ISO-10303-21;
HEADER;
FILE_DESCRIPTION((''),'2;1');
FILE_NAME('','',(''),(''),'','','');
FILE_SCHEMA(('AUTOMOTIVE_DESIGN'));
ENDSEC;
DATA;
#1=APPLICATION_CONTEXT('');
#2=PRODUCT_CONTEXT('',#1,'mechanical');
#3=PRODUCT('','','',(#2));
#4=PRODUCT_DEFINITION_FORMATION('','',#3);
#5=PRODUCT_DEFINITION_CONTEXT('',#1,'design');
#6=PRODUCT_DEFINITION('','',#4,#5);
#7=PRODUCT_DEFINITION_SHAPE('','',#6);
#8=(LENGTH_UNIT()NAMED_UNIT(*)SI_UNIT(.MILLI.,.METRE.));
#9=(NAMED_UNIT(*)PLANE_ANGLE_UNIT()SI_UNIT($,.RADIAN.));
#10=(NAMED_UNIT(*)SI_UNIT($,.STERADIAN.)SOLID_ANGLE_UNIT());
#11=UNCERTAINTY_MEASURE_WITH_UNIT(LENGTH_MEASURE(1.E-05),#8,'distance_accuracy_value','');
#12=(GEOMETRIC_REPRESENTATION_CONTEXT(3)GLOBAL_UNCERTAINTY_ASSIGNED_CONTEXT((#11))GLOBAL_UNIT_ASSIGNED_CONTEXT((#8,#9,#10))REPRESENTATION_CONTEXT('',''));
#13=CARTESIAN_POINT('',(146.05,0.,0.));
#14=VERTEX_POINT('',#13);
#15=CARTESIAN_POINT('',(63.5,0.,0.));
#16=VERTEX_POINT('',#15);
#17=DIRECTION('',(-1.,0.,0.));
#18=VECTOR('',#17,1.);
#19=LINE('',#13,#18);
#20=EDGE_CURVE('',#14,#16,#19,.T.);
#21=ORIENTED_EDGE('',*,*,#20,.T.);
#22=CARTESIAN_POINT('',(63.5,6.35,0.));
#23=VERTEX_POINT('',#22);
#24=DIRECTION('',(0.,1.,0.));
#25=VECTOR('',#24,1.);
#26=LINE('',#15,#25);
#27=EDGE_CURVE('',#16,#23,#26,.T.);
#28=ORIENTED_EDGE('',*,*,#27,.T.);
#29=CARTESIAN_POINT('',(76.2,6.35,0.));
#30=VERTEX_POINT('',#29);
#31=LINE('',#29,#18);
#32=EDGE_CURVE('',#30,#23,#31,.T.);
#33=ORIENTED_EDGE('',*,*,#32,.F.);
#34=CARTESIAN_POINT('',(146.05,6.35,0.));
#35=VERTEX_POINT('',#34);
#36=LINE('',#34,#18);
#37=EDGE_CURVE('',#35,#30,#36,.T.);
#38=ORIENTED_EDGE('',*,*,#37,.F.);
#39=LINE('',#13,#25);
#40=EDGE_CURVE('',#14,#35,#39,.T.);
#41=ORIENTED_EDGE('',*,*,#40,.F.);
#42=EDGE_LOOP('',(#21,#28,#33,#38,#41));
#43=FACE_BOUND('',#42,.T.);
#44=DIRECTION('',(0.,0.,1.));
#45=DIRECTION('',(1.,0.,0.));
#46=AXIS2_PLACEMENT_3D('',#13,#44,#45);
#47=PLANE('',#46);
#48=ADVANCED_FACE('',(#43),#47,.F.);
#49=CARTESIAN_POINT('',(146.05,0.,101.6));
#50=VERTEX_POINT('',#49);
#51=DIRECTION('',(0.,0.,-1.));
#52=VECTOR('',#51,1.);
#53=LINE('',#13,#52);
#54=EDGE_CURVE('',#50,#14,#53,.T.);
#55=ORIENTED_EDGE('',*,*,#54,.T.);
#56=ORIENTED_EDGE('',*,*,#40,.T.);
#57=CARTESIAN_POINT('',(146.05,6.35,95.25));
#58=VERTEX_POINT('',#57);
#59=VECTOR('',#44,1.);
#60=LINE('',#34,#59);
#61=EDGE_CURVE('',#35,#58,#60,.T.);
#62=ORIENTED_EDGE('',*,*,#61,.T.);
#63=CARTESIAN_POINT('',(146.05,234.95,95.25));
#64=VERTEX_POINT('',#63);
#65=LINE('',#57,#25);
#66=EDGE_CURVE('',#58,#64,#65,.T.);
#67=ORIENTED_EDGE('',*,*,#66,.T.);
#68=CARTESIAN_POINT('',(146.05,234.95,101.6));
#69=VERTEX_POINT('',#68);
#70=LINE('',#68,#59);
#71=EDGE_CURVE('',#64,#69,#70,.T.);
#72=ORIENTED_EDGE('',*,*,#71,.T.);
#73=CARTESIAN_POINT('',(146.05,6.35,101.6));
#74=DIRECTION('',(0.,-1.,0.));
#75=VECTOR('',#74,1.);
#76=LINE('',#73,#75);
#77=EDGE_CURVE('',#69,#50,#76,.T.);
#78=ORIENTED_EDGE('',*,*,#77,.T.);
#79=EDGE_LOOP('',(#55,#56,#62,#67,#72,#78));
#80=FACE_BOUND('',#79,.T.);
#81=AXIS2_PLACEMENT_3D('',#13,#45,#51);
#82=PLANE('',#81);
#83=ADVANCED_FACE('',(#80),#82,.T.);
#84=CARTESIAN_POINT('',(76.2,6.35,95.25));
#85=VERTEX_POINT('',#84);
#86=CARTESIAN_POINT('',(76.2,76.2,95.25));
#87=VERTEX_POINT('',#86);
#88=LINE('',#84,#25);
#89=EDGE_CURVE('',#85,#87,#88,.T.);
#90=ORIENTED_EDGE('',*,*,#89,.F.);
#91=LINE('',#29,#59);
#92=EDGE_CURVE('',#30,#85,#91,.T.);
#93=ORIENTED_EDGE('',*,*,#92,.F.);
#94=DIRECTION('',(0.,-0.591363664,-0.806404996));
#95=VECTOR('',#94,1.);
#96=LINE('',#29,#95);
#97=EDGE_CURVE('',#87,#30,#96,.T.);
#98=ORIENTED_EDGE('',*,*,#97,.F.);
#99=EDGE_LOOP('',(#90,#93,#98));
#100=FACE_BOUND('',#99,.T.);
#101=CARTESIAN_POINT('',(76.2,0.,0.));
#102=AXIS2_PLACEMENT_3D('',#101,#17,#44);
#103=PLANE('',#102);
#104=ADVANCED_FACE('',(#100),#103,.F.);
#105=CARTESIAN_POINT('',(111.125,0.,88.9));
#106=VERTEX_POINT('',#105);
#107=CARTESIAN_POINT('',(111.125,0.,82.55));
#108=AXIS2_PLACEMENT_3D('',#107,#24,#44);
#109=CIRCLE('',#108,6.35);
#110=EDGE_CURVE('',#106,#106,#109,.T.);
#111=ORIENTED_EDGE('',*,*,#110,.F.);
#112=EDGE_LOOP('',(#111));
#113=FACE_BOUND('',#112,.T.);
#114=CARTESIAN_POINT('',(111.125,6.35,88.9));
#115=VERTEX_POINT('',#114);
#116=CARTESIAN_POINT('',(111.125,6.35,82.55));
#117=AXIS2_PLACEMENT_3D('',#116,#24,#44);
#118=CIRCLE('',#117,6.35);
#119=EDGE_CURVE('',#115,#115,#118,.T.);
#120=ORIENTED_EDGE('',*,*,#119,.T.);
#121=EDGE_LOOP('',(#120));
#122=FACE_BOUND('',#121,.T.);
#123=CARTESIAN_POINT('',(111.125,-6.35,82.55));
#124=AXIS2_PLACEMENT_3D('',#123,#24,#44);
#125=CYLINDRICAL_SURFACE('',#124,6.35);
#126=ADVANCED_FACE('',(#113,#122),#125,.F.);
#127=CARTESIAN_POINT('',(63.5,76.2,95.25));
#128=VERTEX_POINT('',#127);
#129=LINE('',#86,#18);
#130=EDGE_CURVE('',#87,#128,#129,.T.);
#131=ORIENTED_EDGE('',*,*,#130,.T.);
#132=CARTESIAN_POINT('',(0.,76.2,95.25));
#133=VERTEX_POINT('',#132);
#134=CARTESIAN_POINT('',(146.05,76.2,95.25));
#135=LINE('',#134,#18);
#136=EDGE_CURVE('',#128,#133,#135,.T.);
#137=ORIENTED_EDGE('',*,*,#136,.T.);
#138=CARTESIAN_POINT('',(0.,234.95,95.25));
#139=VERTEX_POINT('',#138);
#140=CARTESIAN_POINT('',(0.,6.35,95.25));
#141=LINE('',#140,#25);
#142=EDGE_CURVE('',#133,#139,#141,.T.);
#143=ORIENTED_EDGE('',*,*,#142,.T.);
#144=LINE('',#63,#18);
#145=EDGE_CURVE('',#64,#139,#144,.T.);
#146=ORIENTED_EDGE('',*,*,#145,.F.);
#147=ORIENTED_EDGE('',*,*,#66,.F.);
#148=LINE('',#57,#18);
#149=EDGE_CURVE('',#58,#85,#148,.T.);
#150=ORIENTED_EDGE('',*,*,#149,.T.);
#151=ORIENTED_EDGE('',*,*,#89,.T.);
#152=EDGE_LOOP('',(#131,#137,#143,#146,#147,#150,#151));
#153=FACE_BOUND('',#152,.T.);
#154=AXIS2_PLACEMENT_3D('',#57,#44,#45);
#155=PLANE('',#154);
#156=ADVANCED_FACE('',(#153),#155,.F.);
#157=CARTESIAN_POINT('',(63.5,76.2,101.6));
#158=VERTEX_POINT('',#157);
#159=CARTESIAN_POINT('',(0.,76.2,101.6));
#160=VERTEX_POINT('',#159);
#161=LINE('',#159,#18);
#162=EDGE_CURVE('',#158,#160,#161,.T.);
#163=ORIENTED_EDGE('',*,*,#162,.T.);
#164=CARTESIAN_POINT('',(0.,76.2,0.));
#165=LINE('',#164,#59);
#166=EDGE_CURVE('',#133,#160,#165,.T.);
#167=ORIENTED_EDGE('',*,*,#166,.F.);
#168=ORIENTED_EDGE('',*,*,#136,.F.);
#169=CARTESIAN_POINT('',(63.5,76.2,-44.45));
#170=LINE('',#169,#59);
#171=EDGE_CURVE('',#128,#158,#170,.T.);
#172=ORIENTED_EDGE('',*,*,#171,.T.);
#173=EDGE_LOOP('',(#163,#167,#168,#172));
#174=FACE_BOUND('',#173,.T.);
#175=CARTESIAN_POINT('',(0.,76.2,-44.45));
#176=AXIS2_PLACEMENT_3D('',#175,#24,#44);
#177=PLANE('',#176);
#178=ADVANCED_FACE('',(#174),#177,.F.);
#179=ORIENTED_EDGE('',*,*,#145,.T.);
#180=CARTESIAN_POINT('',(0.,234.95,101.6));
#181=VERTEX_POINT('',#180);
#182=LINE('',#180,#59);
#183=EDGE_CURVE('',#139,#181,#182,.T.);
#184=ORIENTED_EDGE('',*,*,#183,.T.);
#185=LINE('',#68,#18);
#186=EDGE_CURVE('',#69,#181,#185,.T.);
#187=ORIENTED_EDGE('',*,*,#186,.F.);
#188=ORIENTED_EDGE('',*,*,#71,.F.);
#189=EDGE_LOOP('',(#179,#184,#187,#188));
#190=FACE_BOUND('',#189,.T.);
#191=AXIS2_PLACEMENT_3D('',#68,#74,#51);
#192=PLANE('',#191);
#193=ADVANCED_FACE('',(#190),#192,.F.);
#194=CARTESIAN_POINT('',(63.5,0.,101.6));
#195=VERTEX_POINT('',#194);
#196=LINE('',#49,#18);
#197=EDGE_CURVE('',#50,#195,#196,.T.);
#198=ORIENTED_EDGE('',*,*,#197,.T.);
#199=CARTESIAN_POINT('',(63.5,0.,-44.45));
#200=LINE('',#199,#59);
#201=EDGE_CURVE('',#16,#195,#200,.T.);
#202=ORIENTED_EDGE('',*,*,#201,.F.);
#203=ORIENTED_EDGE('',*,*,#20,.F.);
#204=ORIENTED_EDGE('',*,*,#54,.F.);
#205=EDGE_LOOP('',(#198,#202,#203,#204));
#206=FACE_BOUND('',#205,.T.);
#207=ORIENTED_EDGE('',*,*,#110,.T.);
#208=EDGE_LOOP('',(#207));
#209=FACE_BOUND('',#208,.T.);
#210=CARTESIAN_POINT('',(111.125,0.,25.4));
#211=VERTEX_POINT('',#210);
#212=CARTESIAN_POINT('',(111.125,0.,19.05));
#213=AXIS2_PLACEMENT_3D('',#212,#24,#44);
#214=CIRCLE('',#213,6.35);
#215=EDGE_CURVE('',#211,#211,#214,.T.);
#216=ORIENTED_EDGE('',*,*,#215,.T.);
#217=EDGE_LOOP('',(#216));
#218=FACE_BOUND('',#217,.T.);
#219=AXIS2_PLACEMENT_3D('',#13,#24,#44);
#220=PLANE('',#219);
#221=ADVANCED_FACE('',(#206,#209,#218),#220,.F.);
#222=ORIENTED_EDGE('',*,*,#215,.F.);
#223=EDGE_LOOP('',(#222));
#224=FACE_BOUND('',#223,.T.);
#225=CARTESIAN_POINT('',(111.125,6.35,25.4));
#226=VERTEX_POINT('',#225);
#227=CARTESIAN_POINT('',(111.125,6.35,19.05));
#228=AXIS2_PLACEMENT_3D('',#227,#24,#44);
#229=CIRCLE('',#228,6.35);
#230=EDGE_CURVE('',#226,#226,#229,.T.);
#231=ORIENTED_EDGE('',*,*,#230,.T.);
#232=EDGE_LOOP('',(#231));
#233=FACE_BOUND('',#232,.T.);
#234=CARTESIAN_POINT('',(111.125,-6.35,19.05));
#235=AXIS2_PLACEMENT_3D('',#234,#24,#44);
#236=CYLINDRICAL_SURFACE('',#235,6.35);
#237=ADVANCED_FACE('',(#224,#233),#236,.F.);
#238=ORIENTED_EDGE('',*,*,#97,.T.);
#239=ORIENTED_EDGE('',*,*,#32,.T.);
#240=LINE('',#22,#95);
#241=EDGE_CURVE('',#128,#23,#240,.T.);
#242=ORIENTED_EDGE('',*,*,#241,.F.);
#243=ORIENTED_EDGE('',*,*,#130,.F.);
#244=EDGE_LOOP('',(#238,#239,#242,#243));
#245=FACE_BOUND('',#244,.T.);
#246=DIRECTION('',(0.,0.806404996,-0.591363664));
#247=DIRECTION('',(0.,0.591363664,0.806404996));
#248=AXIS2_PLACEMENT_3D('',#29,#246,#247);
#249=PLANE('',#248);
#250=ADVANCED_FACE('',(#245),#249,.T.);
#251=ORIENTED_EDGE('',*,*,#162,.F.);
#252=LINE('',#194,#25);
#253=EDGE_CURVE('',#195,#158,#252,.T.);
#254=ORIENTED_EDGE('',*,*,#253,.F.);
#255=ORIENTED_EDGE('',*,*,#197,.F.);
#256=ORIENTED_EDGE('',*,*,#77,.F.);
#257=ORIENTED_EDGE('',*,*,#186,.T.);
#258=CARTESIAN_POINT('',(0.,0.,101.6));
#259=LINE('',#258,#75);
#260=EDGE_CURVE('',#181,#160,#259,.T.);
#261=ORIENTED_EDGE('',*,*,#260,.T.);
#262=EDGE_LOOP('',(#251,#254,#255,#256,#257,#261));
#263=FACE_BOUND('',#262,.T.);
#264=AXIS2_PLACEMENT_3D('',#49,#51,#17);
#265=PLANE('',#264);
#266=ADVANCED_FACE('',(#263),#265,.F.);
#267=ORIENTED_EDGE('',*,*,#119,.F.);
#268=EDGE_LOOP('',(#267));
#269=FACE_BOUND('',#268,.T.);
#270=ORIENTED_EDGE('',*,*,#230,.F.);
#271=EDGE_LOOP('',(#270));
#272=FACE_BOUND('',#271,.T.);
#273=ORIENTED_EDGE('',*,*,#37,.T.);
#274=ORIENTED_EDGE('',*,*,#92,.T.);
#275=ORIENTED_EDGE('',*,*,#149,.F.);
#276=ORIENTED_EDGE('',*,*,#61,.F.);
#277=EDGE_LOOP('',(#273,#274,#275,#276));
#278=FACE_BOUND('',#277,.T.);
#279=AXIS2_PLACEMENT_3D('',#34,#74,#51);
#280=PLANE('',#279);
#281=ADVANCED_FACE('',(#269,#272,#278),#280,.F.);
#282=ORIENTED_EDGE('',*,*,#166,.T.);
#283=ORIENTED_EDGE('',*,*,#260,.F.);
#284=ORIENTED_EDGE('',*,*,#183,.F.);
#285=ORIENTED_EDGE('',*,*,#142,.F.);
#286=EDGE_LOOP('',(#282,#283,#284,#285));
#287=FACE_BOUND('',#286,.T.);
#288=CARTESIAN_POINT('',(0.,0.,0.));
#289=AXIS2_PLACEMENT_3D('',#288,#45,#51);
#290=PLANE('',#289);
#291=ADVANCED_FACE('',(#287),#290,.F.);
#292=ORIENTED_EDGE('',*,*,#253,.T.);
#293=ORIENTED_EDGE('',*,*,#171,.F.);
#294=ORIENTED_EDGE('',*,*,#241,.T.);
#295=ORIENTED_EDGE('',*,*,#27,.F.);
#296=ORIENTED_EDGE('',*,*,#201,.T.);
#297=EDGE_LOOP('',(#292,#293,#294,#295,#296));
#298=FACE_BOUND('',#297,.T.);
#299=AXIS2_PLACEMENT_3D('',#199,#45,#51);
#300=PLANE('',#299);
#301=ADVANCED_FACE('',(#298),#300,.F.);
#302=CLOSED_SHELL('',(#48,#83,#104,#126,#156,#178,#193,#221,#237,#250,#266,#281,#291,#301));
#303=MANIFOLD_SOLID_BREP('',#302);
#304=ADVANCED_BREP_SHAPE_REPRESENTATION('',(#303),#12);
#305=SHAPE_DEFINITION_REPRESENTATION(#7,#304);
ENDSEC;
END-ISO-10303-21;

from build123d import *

# Parameters (mm, degrees)
BOSS_EXTRUDE1_DEPTH = 146.05
SKETCH2_W           = 63.5
SKETCH2_H           = 76.2
CUT_EXTRUDE1_DEPTH  = 146.05
BOSS_EXTRUDE2_DEPTH = 12.7
SKETCH4_R           = 6.35
CUT_EXTRUDE2_DEPTH  = 12.7


with BuildPart() as part:
    # Sketch1 → Boss-Extrude1 (new body)
    with BuildSketch(Plane(origin=(0, 0, 0), x_dir=(0, 0, -1), z_dir=(1, 0, 0))):
        Polygon((0, 0), (-101.6, 0), (-101.6, 6.35), (-101.6, 234.95), (-95.25, 234.95), (-95.25, 6.35), (0, 6.35), align=None)
    extrude(amount=BOSS_EXTRUDE1_DEPTH)

    # Sketch2 → Cut-Extrude1 (cut)
    with BuildSketch(Plane.XY.offset(101.6)):
        with Locations((31.75, 38.1)):
            Rectangle(SKETCH2_W, SKETCH2_H)
    extrude(amount=-CUT_EXTRUDE1_DEPTH, mode=Mode.SUBTRACT)

    # Sketch3 → Boss-Extrude2 (add)
    with BuildSketch(Plane.ZY.offset(-63.5)):
        Polygon((0, 6.35), (95.25, 76.2), (95.25, 6.35), align=None)
    extrude(amount=-BOSS_EXTRUDE2_DEPTH)

    # Sketch4 → Cut-Extrude2 (cut)
    with BuildSketch(Plane(origin=(0, 6.35, 0), x_dir=(1, 0, 0), z_dir=(0, 1, 0))):
        with Locations(Location((111.125, -19.05, 0), (0, 0, 270))):
            Circle(SKETCH4_R)
        with Locations(Location((111.125, -82.55, 0), (0, 0, 270))):
            Circle(SKETCH4_R)
    extrude(amount=-CUT_EXTRUDE2_DEPTH, mode=Mode.SUBTRACT)


solid = part.part
